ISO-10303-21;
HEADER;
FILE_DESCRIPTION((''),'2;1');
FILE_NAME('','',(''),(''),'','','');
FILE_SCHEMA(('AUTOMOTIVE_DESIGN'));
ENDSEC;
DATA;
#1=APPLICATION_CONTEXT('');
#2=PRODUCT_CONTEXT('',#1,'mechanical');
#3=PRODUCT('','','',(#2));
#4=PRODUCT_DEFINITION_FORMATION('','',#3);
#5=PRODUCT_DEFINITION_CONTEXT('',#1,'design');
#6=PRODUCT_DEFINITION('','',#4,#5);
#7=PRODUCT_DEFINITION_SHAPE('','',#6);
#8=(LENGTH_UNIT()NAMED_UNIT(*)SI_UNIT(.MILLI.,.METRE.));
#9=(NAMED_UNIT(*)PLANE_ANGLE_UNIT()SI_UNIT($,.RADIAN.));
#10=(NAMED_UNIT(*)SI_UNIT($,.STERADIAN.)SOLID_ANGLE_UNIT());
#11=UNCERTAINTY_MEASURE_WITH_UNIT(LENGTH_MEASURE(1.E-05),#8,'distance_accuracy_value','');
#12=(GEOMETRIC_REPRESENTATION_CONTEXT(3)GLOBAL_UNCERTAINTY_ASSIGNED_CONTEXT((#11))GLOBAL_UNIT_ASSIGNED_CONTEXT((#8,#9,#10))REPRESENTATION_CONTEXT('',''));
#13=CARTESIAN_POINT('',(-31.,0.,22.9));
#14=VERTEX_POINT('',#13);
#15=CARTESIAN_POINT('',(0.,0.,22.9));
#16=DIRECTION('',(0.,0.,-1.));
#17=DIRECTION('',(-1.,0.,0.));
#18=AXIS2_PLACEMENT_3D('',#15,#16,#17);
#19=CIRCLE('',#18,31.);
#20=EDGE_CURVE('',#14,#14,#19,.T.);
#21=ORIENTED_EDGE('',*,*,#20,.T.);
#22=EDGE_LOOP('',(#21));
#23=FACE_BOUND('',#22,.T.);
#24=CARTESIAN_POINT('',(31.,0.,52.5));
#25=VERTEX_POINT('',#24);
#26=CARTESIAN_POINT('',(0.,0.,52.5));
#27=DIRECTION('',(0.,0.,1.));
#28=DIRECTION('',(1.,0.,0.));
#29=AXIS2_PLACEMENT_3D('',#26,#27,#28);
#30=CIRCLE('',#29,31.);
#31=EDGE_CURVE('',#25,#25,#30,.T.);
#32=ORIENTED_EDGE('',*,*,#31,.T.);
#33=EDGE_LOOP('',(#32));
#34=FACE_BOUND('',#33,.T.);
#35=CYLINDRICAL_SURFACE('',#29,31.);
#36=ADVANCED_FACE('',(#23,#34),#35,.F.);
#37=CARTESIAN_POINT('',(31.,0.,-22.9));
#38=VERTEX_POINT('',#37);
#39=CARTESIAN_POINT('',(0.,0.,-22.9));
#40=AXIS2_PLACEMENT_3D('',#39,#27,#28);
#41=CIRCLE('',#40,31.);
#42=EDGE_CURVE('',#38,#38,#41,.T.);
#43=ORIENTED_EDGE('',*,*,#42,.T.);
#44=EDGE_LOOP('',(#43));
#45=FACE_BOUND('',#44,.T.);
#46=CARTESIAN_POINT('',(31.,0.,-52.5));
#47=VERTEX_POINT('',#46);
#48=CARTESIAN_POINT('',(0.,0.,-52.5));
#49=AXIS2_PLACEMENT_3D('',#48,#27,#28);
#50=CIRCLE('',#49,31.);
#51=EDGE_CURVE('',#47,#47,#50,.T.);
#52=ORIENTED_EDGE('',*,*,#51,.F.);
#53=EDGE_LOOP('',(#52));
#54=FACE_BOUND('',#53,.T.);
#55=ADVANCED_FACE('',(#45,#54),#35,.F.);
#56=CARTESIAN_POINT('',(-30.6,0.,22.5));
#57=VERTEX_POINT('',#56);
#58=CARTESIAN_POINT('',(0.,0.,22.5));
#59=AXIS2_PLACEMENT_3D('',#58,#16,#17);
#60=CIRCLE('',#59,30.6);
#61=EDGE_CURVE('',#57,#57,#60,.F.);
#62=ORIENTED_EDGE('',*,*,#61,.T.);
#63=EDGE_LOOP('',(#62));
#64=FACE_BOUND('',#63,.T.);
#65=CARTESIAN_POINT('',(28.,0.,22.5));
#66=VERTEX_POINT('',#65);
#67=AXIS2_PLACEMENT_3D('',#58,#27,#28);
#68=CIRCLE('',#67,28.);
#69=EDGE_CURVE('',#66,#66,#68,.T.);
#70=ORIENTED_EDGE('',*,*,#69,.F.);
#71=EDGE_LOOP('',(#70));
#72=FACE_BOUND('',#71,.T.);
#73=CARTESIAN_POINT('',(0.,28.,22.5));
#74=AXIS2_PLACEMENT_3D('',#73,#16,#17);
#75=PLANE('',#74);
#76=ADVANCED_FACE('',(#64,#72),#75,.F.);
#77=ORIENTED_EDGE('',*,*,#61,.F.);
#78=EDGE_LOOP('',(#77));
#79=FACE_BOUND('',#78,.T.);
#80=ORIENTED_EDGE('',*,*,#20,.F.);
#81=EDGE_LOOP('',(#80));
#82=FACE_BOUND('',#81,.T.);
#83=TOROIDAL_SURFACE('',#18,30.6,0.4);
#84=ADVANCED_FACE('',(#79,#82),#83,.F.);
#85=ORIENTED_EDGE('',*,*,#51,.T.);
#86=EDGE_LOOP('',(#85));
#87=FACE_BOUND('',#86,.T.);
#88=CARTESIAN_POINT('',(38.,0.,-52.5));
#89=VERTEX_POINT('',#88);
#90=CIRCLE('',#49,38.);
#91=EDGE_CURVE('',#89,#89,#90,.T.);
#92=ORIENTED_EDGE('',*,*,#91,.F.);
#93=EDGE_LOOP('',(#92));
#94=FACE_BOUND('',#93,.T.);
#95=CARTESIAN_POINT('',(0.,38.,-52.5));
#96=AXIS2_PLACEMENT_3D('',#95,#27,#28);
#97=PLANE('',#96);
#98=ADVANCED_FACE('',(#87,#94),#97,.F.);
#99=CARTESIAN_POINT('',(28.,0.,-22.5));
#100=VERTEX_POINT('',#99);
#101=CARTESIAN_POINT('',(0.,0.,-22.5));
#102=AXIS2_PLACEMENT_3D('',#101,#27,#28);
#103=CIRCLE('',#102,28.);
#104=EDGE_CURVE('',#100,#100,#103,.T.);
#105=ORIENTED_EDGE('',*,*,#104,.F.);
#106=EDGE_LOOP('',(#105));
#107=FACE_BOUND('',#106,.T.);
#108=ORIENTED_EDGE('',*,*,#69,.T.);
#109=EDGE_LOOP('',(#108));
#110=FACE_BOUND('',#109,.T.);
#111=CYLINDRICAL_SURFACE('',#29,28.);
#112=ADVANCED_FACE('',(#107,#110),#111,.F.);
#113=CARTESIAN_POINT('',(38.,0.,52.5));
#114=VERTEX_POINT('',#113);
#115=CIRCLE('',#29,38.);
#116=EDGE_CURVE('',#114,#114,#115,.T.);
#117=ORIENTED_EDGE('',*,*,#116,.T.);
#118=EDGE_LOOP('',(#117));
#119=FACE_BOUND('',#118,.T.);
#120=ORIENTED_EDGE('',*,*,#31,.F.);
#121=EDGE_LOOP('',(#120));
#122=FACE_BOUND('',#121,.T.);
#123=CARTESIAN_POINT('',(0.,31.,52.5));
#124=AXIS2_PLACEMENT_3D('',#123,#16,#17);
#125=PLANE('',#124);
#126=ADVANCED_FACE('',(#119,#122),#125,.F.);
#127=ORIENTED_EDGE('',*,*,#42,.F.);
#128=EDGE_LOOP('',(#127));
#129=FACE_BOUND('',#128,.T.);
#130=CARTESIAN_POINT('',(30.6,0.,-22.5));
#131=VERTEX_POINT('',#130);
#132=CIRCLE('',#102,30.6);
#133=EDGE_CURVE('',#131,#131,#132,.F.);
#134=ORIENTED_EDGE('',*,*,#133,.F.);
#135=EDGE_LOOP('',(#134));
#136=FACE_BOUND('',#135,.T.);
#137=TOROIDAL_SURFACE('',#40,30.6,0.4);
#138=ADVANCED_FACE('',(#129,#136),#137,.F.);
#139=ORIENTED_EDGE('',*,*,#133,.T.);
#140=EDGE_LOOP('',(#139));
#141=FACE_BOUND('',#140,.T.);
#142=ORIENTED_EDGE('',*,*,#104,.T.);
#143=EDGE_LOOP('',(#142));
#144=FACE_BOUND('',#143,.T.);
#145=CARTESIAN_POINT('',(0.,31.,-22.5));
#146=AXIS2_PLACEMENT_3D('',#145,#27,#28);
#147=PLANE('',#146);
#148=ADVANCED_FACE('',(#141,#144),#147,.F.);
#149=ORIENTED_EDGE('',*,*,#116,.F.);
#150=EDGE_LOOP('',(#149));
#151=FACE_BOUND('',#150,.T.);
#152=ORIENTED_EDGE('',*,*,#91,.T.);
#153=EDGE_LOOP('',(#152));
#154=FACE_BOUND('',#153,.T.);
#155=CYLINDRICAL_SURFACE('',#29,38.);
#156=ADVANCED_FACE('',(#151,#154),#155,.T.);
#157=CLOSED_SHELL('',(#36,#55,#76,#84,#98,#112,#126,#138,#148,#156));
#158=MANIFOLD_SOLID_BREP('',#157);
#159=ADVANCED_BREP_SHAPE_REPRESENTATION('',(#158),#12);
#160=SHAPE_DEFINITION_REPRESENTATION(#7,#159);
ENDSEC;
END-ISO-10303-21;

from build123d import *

# Parameters (mm, degrees)
CONG_1_R = 0.4


with BuildPart() as part:
    # Esquisse1 → Révolution1 (revolve)
    with BuildSketch(Plane(origin=(0, 0, 0), x_dir=(0, 0, -1), z_dir=(1, 0, 0)), mode=Mode.PRIVATE) as r_volution1_sk:
        Polygon((-52.5, 38), (52.5, 38), (52.5, 31), (22.5, 31), (22.5, 28), (-22.5, 28), (-22.5, 31), (-52.5, 31), align=None)
    revolve(r_volution1_sk.sketch.rotate(Axis((0, 0, 52.5), (0, 0, -1)), 90), axis=Axis((0, 0, 52.5), (0, 0, -1)))  # turned: the seam where the file's is

    # Congé1
    cong_1_edges = [part.edges().sort_by_distance(p)[0] for p in [
        (-31, 0, 22.5),
        (-31, 0, -22.5),
    ]]
    fillet(cong_1_edges, radius=CONG_1_R)


solid = part.part
